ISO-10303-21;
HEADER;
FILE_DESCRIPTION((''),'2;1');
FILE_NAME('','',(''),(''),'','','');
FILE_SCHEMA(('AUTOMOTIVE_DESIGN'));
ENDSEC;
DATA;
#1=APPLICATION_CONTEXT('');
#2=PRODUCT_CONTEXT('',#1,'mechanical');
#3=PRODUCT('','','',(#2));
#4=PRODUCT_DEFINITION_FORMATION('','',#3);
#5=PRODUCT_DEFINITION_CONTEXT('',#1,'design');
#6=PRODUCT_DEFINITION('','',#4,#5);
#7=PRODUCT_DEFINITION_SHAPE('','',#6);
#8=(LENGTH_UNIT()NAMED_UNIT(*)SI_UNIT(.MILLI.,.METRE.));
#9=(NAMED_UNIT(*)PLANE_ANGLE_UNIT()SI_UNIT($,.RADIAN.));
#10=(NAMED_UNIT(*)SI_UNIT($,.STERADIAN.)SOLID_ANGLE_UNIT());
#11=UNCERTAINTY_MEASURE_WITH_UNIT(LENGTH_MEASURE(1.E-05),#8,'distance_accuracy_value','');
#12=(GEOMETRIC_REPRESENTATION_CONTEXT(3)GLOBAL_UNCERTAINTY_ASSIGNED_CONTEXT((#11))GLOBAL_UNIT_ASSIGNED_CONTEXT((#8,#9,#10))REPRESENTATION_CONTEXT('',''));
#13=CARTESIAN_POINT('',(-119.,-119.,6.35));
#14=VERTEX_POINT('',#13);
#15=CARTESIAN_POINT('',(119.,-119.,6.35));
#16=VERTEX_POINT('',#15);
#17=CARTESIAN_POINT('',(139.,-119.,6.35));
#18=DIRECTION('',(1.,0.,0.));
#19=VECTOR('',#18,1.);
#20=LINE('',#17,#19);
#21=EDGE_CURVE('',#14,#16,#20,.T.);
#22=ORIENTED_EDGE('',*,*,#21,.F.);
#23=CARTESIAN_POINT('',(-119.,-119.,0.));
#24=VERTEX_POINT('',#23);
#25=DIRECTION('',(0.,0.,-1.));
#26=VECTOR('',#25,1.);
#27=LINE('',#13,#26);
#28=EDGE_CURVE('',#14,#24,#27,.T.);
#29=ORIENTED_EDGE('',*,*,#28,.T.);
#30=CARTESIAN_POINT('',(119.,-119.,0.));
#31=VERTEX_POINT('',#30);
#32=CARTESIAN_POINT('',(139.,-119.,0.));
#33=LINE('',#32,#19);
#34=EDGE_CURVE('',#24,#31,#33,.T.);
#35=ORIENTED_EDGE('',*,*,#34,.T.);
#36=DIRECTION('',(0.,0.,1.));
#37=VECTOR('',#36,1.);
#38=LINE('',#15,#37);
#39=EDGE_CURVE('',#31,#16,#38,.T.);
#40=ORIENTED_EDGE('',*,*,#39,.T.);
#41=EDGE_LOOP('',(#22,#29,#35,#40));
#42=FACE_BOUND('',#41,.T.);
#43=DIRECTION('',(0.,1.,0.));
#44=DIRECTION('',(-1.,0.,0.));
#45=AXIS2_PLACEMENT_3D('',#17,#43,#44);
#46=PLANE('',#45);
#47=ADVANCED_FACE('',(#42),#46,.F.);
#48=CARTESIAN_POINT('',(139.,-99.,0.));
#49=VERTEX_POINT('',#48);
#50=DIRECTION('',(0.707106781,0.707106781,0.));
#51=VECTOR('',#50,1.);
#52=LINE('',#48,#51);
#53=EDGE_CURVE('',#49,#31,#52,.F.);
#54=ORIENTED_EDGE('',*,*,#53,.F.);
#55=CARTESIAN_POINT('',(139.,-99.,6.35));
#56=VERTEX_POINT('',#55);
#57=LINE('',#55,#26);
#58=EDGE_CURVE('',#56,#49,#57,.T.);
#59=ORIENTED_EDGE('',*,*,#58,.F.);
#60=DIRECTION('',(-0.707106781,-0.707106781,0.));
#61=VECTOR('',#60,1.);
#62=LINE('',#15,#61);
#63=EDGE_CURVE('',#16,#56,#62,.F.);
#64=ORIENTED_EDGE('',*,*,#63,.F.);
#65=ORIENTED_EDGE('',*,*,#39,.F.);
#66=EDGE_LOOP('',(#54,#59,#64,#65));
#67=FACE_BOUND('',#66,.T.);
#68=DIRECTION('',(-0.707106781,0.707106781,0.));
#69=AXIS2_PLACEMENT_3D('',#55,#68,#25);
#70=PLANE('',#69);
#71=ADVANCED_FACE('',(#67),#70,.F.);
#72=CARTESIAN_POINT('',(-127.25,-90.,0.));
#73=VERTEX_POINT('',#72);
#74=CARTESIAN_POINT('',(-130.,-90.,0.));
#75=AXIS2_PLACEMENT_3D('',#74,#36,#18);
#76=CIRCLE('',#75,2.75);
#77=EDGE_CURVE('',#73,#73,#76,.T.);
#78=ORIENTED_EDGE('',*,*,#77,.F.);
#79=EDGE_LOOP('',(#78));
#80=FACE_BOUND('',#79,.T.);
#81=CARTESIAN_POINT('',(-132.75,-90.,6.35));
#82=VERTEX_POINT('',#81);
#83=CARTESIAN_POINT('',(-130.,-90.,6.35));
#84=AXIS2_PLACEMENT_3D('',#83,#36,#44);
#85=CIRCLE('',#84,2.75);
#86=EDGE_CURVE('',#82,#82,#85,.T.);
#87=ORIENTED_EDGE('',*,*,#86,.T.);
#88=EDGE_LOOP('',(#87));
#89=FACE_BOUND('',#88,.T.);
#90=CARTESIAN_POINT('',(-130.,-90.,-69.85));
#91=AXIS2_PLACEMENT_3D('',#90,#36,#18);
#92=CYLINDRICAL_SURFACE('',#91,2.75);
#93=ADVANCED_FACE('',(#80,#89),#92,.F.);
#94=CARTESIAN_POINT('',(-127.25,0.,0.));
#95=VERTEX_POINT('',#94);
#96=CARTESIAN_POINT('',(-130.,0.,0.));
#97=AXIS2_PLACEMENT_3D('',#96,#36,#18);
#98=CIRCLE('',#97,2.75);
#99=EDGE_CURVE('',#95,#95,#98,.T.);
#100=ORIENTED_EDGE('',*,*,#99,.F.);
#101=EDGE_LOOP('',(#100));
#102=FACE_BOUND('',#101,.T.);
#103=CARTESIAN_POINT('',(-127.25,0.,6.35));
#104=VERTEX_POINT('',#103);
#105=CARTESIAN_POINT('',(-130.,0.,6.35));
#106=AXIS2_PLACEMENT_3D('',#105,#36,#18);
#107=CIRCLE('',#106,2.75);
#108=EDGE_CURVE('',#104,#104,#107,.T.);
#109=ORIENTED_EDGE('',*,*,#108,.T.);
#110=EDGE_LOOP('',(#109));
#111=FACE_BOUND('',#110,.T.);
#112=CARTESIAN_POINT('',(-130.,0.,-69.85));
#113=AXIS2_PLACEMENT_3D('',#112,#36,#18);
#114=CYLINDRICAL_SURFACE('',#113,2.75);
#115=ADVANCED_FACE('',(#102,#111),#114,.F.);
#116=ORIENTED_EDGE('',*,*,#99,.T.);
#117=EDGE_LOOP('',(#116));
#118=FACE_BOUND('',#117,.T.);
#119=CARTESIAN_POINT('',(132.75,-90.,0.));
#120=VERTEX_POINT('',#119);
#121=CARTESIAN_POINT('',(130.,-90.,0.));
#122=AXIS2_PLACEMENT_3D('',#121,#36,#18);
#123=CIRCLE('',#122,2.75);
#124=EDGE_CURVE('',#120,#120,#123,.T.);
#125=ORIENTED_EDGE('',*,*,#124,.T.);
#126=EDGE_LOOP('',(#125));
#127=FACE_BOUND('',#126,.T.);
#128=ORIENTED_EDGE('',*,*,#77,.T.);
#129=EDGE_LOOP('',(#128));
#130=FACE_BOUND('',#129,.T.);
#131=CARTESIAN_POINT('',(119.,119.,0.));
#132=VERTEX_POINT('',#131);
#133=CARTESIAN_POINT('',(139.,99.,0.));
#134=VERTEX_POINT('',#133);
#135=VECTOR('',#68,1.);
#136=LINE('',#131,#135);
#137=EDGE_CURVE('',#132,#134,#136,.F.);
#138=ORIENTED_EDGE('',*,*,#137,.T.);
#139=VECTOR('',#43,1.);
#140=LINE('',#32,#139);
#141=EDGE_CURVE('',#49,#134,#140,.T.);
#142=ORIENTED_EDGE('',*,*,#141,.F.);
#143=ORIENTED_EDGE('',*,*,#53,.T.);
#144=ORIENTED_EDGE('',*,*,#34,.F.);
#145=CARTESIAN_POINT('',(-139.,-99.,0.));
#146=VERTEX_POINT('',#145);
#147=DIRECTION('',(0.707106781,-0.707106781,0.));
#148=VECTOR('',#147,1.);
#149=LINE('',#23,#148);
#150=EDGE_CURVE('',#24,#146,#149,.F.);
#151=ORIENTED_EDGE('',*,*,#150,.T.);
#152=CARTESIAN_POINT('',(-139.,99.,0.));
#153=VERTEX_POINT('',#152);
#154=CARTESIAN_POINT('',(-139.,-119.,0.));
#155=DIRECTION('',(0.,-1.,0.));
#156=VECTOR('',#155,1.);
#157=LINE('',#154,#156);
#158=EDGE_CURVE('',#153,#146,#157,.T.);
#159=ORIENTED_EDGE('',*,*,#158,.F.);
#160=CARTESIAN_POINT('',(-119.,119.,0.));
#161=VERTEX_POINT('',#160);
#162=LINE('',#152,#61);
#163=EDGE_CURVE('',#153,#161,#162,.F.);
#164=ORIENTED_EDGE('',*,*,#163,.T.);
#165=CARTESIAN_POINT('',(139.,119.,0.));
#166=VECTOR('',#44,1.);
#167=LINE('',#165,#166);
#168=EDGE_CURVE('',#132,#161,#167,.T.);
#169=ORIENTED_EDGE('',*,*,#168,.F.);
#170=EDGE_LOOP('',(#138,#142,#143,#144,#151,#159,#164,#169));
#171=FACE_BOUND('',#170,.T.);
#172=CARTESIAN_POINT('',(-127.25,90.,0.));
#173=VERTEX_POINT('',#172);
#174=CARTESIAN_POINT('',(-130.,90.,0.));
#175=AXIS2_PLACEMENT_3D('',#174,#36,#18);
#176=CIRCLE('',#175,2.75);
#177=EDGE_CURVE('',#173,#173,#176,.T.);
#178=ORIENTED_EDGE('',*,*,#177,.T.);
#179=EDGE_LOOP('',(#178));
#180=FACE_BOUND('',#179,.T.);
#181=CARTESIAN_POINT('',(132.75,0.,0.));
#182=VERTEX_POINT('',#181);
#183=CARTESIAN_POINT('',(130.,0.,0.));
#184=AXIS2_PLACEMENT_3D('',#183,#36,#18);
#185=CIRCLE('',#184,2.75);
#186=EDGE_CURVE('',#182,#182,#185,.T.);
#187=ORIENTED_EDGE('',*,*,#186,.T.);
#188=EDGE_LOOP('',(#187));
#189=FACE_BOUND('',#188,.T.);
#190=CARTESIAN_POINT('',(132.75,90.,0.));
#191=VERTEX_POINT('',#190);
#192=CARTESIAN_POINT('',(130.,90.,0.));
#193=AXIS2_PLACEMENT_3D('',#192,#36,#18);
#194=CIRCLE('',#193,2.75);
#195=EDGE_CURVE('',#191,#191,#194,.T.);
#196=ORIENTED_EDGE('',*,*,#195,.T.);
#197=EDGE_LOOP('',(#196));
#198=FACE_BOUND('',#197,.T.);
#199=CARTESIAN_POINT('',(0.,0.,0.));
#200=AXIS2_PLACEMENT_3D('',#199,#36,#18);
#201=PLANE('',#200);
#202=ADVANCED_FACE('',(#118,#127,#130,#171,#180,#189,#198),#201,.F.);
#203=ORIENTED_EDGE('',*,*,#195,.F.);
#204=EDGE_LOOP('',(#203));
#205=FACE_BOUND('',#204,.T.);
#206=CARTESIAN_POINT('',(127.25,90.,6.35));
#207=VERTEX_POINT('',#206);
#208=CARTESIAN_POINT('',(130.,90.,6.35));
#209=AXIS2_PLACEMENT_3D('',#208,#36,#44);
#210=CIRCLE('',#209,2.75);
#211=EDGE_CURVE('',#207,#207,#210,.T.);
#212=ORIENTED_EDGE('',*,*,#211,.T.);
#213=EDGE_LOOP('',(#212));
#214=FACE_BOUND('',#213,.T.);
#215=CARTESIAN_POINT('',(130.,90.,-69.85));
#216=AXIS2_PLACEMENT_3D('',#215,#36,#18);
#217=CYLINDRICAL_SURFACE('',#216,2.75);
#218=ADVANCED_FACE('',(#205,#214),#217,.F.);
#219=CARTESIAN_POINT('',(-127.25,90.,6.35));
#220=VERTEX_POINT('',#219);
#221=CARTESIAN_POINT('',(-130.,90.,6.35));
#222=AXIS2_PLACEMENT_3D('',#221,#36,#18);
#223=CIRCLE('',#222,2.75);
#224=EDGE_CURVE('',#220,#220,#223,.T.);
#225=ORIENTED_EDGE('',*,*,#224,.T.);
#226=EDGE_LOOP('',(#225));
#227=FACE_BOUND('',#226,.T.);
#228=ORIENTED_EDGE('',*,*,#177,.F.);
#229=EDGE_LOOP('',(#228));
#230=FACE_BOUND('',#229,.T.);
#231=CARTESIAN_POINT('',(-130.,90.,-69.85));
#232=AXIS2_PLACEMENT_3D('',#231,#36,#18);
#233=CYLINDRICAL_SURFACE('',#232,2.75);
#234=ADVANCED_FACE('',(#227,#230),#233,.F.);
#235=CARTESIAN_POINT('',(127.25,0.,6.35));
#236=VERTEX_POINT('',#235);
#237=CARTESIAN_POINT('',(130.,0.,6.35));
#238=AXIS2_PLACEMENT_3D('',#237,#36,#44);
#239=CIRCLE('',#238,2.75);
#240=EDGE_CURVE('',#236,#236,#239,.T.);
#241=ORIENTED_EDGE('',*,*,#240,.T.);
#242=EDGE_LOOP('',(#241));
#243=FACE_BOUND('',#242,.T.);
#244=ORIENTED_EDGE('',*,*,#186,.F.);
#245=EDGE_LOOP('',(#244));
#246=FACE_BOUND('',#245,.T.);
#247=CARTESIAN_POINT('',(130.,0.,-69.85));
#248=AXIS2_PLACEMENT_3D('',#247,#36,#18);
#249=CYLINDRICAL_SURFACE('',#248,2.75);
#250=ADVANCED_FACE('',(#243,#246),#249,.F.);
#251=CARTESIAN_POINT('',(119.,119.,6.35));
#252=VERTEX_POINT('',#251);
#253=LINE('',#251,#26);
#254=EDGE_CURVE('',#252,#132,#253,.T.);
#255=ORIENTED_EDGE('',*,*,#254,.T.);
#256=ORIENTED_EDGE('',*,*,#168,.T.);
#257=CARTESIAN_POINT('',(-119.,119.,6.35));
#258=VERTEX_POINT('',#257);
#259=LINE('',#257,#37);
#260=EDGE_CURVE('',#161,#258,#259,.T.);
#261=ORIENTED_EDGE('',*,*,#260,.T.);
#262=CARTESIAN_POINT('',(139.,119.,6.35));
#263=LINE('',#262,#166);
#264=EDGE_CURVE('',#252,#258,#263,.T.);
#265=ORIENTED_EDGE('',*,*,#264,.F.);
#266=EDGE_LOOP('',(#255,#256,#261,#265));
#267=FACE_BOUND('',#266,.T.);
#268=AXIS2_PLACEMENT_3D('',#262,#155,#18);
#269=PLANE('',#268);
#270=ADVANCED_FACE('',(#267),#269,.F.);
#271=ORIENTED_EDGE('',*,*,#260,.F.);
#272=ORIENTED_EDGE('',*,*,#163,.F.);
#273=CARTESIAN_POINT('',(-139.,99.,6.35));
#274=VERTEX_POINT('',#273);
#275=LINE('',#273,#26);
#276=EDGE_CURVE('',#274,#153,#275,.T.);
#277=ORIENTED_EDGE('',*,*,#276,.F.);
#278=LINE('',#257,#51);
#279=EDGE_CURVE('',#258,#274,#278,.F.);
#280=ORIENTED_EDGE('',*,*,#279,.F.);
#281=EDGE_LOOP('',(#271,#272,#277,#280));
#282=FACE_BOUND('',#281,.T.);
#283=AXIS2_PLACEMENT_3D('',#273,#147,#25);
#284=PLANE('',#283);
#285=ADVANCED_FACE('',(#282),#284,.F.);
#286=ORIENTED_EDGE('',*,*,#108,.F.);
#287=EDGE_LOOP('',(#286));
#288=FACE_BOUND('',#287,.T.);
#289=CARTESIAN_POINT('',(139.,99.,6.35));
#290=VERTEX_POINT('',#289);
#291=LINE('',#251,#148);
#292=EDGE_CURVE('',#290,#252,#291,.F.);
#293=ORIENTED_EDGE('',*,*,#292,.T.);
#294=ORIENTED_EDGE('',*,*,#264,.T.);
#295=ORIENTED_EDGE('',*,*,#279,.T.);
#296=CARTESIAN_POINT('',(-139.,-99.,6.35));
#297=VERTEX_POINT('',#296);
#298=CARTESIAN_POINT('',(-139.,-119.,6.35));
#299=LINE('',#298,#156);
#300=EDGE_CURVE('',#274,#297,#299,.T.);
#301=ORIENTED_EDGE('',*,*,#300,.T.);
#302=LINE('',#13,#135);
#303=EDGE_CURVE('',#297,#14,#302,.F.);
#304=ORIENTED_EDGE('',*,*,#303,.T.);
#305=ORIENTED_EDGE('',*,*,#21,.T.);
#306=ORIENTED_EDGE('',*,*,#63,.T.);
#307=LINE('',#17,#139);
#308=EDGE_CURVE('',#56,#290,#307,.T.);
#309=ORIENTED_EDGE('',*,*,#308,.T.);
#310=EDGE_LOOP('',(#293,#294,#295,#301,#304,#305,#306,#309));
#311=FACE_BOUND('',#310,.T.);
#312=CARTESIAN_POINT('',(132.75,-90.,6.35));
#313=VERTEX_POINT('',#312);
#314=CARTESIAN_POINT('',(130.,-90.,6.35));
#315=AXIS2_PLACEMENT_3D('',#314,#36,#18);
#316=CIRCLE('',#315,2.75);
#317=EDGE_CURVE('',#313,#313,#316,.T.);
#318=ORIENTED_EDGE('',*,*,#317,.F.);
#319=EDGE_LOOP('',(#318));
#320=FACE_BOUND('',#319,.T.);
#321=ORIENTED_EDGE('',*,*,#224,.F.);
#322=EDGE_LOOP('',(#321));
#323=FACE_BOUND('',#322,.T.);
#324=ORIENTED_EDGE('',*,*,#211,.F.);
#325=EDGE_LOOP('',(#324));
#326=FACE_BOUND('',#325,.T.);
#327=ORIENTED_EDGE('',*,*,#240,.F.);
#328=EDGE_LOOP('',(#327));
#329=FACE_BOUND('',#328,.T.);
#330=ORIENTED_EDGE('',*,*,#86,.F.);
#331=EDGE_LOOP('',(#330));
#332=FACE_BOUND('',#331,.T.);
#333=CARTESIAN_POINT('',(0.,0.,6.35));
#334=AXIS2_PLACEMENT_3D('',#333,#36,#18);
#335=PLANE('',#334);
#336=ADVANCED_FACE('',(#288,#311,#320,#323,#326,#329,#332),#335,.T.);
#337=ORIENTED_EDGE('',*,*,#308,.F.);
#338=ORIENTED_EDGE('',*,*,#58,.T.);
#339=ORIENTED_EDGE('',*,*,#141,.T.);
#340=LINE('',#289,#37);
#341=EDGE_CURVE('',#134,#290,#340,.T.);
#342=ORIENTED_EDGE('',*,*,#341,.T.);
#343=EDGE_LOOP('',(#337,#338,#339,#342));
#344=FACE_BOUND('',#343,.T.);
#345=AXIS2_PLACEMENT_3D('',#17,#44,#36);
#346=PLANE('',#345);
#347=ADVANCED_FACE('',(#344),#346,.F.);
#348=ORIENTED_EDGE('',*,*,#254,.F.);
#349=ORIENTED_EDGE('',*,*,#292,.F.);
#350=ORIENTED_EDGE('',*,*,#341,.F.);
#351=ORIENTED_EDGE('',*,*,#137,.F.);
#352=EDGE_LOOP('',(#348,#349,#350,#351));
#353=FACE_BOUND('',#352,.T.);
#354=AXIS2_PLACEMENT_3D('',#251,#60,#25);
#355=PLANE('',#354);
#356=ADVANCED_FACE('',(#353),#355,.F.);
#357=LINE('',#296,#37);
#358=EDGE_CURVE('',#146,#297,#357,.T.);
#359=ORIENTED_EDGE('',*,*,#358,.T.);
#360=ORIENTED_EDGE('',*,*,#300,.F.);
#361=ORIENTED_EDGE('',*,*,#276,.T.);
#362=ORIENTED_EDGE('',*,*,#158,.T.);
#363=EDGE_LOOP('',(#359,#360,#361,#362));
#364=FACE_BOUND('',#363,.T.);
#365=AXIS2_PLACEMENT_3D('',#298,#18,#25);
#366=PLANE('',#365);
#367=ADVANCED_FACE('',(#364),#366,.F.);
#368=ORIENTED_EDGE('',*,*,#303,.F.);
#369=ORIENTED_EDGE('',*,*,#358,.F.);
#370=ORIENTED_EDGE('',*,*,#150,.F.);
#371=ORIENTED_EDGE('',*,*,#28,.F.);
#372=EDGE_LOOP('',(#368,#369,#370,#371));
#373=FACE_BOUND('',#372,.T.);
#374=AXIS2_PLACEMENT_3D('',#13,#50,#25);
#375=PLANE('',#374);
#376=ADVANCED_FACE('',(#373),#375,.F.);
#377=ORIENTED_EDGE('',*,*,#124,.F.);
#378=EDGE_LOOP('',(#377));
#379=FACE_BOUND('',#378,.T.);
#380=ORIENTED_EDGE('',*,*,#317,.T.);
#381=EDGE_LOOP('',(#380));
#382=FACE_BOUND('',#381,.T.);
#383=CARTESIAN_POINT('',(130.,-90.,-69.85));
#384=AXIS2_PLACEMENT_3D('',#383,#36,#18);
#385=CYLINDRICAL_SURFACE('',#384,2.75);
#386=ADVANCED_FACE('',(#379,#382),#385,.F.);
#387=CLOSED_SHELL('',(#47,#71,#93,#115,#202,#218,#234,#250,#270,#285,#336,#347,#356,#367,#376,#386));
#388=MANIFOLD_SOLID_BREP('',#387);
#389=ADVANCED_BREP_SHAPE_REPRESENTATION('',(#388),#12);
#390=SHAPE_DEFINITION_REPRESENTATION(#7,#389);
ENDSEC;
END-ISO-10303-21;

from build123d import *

# Parameters (mm, degrees)
SKETCH1_W           = 278
SKETCH1_H           = 238
BOSS_EXTRUDE1_DEPTH = 6.35
CHAMFER1_SIZE       = 20
SKETCH4_R           = 2.75
CUT_EXTRUDE2_DEPTH  = 76.2


with BuildPart() as part:
    # Sketch1 → Boss-Extrude1 (new body)
    with BuildSketch(Plane.XY):
        Rectangle(SKETCH1_W, SKETCH1_H)
    extrude(amount=BOSS_EXTRUDE1_DEPTH)

    # Chamfer1
    chamfer1_edges = [part.edges().sort_by_distance(p)[0] for p in [
        (-139, 119, 3.175),
        (139, 119, 3.175),
        (139, -119, 3.175),
        (-139, -119, 3.175),
    ]]
    chamfer(chamfer1_edges, length=CHAMFER1_SIZE)

    # Sketch4 → Cut-Extrude2 (cut)
    with BuildSketch(Plane.XY.offset(6.35)):
        with Locations((-130, 90)):
            Circle(SKETCH4_R)
        with Locations((-130, -90)):
            Circle(SKETCH4_R)
        with Locations((-130, 0)):
            Circle(SKETCH4_R)
        with Locations((130, -90)):
            Circle(SKETCH4_R)
        with Locations((130, 0)):
            Circle(SKETCH4_R)
        with Locations((130, 90)):
            Circle(SKETCH4_R)
    extrude(amount=-CUT_EXTRUDE2_DEPTH, mode=Mode.SUBTRACT)


solid = part.part
